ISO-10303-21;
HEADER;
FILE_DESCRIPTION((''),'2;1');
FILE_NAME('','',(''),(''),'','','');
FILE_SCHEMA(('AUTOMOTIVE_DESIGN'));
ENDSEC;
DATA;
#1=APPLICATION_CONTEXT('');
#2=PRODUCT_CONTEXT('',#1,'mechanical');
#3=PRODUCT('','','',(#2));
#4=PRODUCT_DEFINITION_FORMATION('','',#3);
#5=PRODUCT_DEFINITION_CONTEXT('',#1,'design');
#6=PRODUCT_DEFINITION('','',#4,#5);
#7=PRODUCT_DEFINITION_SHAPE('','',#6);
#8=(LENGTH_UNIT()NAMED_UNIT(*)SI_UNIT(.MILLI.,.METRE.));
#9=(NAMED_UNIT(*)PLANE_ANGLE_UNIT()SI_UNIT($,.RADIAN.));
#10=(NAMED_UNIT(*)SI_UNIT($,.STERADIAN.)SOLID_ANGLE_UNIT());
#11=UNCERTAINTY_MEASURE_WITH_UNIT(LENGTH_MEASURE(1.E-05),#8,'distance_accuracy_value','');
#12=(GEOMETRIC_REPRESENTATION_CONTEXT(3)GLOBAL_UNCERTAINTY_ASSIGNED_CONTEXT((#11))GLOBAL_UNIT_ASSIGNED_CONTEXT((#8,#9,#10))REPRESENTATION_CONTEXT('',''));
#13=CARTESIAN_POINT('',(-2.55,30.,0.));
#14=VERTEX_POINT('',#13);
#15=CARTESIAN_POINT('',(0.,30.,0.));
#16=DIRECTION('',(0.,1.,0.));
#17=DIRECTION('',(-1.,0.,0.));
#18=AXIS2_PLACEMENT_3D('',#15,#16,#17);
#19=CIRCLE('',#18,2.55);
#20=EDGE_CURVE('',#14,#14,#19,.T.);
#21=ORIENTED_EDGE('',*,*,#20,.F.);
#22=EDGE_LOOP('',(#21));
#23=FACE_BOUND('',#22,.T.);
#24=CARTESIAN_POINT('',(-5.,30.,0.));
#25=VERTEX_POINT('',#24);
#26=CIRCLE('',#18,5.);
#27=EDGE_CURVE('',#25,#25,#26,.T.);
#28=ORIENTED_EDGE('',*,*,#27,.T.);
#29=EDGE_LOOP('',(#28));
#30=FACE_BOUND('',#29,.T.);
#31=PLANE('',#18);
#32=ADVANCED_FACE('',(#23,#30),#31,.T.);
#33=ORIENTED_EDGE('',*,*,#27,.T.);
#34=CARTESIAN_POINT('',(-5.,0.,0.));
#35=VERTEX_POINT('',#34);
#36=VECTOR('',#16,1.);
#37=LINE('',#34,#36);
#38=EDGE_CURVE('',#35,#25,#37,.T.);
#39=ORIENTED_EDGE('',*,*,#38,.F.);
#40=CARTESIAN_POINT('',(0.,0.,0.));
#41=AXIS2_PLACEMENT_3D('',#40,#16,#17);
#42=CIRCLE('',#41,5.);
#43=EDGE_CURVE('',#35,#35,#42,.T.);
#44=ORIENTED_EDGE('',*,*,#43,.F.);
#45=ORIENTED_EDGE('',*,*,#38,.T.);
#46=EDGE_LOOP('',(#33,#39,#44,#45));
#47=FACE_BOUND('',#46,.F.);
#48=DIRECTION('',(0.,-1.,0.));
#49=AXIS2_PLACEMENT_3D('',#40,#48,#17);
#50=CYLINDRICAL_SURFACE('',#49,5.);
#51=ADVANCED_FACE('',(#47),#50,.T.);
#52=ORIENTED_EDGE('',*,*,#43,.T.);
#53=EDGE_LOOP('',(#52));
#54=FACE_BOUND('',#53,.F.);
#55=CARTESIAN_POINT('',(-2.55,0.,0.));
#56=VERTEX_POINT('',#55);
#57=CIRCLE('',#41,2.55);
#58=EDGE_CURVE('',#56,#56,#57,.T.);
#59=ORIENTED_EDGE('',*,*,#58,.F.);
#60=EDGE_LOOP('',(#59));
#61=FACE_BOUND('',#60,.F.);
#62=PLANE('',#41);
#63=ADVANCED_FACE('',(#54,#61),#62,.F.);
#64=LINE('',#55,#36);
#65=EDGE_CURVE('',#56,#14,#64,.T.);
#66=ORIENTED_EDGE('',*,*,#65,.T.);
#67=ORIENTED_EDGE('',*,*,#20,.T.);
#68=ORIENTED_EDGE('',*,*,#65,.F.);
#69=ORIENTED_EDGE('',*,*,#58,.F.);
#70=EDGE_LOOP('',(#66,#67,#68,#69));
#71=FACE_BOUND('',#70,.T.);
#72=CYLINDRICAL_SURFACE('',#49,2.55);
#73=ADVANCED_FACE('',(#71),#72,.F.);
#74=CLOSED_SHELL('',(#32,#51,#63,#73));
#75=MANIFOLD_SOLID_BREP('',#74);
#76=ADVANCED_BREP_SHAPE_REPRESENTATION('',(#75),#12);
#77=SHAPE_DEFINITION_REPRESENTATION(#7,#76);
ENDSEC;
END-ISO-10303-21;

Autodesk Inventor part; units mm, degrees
ref_plane "YZ Plane" through (0, 0, 0) normal (1, 0, 0) x (0, 1, 0)
ref_plane "XZ Plane" through (0, 0, 0) normal (0, 1, 0) x (-1, 0, 0)
ref_plane "XY Plane" through (0, 0, 0) normal (0, 0, 1) x (1, 0, 0)
sketch "Sketch2" plane through (0, 0, 0) normal (0, 1, 0) x (-1, 0, 0)
  circle A0 centre (0, 0) radius 5
  circle A1 centre (0, 0) radius 2.55
  dimension "d4" = 10
  dimension "d5" = 5.1
extrude "Extrusion2" add sketch "Sketch2" along normal blind 30
properties part number "spacer"
